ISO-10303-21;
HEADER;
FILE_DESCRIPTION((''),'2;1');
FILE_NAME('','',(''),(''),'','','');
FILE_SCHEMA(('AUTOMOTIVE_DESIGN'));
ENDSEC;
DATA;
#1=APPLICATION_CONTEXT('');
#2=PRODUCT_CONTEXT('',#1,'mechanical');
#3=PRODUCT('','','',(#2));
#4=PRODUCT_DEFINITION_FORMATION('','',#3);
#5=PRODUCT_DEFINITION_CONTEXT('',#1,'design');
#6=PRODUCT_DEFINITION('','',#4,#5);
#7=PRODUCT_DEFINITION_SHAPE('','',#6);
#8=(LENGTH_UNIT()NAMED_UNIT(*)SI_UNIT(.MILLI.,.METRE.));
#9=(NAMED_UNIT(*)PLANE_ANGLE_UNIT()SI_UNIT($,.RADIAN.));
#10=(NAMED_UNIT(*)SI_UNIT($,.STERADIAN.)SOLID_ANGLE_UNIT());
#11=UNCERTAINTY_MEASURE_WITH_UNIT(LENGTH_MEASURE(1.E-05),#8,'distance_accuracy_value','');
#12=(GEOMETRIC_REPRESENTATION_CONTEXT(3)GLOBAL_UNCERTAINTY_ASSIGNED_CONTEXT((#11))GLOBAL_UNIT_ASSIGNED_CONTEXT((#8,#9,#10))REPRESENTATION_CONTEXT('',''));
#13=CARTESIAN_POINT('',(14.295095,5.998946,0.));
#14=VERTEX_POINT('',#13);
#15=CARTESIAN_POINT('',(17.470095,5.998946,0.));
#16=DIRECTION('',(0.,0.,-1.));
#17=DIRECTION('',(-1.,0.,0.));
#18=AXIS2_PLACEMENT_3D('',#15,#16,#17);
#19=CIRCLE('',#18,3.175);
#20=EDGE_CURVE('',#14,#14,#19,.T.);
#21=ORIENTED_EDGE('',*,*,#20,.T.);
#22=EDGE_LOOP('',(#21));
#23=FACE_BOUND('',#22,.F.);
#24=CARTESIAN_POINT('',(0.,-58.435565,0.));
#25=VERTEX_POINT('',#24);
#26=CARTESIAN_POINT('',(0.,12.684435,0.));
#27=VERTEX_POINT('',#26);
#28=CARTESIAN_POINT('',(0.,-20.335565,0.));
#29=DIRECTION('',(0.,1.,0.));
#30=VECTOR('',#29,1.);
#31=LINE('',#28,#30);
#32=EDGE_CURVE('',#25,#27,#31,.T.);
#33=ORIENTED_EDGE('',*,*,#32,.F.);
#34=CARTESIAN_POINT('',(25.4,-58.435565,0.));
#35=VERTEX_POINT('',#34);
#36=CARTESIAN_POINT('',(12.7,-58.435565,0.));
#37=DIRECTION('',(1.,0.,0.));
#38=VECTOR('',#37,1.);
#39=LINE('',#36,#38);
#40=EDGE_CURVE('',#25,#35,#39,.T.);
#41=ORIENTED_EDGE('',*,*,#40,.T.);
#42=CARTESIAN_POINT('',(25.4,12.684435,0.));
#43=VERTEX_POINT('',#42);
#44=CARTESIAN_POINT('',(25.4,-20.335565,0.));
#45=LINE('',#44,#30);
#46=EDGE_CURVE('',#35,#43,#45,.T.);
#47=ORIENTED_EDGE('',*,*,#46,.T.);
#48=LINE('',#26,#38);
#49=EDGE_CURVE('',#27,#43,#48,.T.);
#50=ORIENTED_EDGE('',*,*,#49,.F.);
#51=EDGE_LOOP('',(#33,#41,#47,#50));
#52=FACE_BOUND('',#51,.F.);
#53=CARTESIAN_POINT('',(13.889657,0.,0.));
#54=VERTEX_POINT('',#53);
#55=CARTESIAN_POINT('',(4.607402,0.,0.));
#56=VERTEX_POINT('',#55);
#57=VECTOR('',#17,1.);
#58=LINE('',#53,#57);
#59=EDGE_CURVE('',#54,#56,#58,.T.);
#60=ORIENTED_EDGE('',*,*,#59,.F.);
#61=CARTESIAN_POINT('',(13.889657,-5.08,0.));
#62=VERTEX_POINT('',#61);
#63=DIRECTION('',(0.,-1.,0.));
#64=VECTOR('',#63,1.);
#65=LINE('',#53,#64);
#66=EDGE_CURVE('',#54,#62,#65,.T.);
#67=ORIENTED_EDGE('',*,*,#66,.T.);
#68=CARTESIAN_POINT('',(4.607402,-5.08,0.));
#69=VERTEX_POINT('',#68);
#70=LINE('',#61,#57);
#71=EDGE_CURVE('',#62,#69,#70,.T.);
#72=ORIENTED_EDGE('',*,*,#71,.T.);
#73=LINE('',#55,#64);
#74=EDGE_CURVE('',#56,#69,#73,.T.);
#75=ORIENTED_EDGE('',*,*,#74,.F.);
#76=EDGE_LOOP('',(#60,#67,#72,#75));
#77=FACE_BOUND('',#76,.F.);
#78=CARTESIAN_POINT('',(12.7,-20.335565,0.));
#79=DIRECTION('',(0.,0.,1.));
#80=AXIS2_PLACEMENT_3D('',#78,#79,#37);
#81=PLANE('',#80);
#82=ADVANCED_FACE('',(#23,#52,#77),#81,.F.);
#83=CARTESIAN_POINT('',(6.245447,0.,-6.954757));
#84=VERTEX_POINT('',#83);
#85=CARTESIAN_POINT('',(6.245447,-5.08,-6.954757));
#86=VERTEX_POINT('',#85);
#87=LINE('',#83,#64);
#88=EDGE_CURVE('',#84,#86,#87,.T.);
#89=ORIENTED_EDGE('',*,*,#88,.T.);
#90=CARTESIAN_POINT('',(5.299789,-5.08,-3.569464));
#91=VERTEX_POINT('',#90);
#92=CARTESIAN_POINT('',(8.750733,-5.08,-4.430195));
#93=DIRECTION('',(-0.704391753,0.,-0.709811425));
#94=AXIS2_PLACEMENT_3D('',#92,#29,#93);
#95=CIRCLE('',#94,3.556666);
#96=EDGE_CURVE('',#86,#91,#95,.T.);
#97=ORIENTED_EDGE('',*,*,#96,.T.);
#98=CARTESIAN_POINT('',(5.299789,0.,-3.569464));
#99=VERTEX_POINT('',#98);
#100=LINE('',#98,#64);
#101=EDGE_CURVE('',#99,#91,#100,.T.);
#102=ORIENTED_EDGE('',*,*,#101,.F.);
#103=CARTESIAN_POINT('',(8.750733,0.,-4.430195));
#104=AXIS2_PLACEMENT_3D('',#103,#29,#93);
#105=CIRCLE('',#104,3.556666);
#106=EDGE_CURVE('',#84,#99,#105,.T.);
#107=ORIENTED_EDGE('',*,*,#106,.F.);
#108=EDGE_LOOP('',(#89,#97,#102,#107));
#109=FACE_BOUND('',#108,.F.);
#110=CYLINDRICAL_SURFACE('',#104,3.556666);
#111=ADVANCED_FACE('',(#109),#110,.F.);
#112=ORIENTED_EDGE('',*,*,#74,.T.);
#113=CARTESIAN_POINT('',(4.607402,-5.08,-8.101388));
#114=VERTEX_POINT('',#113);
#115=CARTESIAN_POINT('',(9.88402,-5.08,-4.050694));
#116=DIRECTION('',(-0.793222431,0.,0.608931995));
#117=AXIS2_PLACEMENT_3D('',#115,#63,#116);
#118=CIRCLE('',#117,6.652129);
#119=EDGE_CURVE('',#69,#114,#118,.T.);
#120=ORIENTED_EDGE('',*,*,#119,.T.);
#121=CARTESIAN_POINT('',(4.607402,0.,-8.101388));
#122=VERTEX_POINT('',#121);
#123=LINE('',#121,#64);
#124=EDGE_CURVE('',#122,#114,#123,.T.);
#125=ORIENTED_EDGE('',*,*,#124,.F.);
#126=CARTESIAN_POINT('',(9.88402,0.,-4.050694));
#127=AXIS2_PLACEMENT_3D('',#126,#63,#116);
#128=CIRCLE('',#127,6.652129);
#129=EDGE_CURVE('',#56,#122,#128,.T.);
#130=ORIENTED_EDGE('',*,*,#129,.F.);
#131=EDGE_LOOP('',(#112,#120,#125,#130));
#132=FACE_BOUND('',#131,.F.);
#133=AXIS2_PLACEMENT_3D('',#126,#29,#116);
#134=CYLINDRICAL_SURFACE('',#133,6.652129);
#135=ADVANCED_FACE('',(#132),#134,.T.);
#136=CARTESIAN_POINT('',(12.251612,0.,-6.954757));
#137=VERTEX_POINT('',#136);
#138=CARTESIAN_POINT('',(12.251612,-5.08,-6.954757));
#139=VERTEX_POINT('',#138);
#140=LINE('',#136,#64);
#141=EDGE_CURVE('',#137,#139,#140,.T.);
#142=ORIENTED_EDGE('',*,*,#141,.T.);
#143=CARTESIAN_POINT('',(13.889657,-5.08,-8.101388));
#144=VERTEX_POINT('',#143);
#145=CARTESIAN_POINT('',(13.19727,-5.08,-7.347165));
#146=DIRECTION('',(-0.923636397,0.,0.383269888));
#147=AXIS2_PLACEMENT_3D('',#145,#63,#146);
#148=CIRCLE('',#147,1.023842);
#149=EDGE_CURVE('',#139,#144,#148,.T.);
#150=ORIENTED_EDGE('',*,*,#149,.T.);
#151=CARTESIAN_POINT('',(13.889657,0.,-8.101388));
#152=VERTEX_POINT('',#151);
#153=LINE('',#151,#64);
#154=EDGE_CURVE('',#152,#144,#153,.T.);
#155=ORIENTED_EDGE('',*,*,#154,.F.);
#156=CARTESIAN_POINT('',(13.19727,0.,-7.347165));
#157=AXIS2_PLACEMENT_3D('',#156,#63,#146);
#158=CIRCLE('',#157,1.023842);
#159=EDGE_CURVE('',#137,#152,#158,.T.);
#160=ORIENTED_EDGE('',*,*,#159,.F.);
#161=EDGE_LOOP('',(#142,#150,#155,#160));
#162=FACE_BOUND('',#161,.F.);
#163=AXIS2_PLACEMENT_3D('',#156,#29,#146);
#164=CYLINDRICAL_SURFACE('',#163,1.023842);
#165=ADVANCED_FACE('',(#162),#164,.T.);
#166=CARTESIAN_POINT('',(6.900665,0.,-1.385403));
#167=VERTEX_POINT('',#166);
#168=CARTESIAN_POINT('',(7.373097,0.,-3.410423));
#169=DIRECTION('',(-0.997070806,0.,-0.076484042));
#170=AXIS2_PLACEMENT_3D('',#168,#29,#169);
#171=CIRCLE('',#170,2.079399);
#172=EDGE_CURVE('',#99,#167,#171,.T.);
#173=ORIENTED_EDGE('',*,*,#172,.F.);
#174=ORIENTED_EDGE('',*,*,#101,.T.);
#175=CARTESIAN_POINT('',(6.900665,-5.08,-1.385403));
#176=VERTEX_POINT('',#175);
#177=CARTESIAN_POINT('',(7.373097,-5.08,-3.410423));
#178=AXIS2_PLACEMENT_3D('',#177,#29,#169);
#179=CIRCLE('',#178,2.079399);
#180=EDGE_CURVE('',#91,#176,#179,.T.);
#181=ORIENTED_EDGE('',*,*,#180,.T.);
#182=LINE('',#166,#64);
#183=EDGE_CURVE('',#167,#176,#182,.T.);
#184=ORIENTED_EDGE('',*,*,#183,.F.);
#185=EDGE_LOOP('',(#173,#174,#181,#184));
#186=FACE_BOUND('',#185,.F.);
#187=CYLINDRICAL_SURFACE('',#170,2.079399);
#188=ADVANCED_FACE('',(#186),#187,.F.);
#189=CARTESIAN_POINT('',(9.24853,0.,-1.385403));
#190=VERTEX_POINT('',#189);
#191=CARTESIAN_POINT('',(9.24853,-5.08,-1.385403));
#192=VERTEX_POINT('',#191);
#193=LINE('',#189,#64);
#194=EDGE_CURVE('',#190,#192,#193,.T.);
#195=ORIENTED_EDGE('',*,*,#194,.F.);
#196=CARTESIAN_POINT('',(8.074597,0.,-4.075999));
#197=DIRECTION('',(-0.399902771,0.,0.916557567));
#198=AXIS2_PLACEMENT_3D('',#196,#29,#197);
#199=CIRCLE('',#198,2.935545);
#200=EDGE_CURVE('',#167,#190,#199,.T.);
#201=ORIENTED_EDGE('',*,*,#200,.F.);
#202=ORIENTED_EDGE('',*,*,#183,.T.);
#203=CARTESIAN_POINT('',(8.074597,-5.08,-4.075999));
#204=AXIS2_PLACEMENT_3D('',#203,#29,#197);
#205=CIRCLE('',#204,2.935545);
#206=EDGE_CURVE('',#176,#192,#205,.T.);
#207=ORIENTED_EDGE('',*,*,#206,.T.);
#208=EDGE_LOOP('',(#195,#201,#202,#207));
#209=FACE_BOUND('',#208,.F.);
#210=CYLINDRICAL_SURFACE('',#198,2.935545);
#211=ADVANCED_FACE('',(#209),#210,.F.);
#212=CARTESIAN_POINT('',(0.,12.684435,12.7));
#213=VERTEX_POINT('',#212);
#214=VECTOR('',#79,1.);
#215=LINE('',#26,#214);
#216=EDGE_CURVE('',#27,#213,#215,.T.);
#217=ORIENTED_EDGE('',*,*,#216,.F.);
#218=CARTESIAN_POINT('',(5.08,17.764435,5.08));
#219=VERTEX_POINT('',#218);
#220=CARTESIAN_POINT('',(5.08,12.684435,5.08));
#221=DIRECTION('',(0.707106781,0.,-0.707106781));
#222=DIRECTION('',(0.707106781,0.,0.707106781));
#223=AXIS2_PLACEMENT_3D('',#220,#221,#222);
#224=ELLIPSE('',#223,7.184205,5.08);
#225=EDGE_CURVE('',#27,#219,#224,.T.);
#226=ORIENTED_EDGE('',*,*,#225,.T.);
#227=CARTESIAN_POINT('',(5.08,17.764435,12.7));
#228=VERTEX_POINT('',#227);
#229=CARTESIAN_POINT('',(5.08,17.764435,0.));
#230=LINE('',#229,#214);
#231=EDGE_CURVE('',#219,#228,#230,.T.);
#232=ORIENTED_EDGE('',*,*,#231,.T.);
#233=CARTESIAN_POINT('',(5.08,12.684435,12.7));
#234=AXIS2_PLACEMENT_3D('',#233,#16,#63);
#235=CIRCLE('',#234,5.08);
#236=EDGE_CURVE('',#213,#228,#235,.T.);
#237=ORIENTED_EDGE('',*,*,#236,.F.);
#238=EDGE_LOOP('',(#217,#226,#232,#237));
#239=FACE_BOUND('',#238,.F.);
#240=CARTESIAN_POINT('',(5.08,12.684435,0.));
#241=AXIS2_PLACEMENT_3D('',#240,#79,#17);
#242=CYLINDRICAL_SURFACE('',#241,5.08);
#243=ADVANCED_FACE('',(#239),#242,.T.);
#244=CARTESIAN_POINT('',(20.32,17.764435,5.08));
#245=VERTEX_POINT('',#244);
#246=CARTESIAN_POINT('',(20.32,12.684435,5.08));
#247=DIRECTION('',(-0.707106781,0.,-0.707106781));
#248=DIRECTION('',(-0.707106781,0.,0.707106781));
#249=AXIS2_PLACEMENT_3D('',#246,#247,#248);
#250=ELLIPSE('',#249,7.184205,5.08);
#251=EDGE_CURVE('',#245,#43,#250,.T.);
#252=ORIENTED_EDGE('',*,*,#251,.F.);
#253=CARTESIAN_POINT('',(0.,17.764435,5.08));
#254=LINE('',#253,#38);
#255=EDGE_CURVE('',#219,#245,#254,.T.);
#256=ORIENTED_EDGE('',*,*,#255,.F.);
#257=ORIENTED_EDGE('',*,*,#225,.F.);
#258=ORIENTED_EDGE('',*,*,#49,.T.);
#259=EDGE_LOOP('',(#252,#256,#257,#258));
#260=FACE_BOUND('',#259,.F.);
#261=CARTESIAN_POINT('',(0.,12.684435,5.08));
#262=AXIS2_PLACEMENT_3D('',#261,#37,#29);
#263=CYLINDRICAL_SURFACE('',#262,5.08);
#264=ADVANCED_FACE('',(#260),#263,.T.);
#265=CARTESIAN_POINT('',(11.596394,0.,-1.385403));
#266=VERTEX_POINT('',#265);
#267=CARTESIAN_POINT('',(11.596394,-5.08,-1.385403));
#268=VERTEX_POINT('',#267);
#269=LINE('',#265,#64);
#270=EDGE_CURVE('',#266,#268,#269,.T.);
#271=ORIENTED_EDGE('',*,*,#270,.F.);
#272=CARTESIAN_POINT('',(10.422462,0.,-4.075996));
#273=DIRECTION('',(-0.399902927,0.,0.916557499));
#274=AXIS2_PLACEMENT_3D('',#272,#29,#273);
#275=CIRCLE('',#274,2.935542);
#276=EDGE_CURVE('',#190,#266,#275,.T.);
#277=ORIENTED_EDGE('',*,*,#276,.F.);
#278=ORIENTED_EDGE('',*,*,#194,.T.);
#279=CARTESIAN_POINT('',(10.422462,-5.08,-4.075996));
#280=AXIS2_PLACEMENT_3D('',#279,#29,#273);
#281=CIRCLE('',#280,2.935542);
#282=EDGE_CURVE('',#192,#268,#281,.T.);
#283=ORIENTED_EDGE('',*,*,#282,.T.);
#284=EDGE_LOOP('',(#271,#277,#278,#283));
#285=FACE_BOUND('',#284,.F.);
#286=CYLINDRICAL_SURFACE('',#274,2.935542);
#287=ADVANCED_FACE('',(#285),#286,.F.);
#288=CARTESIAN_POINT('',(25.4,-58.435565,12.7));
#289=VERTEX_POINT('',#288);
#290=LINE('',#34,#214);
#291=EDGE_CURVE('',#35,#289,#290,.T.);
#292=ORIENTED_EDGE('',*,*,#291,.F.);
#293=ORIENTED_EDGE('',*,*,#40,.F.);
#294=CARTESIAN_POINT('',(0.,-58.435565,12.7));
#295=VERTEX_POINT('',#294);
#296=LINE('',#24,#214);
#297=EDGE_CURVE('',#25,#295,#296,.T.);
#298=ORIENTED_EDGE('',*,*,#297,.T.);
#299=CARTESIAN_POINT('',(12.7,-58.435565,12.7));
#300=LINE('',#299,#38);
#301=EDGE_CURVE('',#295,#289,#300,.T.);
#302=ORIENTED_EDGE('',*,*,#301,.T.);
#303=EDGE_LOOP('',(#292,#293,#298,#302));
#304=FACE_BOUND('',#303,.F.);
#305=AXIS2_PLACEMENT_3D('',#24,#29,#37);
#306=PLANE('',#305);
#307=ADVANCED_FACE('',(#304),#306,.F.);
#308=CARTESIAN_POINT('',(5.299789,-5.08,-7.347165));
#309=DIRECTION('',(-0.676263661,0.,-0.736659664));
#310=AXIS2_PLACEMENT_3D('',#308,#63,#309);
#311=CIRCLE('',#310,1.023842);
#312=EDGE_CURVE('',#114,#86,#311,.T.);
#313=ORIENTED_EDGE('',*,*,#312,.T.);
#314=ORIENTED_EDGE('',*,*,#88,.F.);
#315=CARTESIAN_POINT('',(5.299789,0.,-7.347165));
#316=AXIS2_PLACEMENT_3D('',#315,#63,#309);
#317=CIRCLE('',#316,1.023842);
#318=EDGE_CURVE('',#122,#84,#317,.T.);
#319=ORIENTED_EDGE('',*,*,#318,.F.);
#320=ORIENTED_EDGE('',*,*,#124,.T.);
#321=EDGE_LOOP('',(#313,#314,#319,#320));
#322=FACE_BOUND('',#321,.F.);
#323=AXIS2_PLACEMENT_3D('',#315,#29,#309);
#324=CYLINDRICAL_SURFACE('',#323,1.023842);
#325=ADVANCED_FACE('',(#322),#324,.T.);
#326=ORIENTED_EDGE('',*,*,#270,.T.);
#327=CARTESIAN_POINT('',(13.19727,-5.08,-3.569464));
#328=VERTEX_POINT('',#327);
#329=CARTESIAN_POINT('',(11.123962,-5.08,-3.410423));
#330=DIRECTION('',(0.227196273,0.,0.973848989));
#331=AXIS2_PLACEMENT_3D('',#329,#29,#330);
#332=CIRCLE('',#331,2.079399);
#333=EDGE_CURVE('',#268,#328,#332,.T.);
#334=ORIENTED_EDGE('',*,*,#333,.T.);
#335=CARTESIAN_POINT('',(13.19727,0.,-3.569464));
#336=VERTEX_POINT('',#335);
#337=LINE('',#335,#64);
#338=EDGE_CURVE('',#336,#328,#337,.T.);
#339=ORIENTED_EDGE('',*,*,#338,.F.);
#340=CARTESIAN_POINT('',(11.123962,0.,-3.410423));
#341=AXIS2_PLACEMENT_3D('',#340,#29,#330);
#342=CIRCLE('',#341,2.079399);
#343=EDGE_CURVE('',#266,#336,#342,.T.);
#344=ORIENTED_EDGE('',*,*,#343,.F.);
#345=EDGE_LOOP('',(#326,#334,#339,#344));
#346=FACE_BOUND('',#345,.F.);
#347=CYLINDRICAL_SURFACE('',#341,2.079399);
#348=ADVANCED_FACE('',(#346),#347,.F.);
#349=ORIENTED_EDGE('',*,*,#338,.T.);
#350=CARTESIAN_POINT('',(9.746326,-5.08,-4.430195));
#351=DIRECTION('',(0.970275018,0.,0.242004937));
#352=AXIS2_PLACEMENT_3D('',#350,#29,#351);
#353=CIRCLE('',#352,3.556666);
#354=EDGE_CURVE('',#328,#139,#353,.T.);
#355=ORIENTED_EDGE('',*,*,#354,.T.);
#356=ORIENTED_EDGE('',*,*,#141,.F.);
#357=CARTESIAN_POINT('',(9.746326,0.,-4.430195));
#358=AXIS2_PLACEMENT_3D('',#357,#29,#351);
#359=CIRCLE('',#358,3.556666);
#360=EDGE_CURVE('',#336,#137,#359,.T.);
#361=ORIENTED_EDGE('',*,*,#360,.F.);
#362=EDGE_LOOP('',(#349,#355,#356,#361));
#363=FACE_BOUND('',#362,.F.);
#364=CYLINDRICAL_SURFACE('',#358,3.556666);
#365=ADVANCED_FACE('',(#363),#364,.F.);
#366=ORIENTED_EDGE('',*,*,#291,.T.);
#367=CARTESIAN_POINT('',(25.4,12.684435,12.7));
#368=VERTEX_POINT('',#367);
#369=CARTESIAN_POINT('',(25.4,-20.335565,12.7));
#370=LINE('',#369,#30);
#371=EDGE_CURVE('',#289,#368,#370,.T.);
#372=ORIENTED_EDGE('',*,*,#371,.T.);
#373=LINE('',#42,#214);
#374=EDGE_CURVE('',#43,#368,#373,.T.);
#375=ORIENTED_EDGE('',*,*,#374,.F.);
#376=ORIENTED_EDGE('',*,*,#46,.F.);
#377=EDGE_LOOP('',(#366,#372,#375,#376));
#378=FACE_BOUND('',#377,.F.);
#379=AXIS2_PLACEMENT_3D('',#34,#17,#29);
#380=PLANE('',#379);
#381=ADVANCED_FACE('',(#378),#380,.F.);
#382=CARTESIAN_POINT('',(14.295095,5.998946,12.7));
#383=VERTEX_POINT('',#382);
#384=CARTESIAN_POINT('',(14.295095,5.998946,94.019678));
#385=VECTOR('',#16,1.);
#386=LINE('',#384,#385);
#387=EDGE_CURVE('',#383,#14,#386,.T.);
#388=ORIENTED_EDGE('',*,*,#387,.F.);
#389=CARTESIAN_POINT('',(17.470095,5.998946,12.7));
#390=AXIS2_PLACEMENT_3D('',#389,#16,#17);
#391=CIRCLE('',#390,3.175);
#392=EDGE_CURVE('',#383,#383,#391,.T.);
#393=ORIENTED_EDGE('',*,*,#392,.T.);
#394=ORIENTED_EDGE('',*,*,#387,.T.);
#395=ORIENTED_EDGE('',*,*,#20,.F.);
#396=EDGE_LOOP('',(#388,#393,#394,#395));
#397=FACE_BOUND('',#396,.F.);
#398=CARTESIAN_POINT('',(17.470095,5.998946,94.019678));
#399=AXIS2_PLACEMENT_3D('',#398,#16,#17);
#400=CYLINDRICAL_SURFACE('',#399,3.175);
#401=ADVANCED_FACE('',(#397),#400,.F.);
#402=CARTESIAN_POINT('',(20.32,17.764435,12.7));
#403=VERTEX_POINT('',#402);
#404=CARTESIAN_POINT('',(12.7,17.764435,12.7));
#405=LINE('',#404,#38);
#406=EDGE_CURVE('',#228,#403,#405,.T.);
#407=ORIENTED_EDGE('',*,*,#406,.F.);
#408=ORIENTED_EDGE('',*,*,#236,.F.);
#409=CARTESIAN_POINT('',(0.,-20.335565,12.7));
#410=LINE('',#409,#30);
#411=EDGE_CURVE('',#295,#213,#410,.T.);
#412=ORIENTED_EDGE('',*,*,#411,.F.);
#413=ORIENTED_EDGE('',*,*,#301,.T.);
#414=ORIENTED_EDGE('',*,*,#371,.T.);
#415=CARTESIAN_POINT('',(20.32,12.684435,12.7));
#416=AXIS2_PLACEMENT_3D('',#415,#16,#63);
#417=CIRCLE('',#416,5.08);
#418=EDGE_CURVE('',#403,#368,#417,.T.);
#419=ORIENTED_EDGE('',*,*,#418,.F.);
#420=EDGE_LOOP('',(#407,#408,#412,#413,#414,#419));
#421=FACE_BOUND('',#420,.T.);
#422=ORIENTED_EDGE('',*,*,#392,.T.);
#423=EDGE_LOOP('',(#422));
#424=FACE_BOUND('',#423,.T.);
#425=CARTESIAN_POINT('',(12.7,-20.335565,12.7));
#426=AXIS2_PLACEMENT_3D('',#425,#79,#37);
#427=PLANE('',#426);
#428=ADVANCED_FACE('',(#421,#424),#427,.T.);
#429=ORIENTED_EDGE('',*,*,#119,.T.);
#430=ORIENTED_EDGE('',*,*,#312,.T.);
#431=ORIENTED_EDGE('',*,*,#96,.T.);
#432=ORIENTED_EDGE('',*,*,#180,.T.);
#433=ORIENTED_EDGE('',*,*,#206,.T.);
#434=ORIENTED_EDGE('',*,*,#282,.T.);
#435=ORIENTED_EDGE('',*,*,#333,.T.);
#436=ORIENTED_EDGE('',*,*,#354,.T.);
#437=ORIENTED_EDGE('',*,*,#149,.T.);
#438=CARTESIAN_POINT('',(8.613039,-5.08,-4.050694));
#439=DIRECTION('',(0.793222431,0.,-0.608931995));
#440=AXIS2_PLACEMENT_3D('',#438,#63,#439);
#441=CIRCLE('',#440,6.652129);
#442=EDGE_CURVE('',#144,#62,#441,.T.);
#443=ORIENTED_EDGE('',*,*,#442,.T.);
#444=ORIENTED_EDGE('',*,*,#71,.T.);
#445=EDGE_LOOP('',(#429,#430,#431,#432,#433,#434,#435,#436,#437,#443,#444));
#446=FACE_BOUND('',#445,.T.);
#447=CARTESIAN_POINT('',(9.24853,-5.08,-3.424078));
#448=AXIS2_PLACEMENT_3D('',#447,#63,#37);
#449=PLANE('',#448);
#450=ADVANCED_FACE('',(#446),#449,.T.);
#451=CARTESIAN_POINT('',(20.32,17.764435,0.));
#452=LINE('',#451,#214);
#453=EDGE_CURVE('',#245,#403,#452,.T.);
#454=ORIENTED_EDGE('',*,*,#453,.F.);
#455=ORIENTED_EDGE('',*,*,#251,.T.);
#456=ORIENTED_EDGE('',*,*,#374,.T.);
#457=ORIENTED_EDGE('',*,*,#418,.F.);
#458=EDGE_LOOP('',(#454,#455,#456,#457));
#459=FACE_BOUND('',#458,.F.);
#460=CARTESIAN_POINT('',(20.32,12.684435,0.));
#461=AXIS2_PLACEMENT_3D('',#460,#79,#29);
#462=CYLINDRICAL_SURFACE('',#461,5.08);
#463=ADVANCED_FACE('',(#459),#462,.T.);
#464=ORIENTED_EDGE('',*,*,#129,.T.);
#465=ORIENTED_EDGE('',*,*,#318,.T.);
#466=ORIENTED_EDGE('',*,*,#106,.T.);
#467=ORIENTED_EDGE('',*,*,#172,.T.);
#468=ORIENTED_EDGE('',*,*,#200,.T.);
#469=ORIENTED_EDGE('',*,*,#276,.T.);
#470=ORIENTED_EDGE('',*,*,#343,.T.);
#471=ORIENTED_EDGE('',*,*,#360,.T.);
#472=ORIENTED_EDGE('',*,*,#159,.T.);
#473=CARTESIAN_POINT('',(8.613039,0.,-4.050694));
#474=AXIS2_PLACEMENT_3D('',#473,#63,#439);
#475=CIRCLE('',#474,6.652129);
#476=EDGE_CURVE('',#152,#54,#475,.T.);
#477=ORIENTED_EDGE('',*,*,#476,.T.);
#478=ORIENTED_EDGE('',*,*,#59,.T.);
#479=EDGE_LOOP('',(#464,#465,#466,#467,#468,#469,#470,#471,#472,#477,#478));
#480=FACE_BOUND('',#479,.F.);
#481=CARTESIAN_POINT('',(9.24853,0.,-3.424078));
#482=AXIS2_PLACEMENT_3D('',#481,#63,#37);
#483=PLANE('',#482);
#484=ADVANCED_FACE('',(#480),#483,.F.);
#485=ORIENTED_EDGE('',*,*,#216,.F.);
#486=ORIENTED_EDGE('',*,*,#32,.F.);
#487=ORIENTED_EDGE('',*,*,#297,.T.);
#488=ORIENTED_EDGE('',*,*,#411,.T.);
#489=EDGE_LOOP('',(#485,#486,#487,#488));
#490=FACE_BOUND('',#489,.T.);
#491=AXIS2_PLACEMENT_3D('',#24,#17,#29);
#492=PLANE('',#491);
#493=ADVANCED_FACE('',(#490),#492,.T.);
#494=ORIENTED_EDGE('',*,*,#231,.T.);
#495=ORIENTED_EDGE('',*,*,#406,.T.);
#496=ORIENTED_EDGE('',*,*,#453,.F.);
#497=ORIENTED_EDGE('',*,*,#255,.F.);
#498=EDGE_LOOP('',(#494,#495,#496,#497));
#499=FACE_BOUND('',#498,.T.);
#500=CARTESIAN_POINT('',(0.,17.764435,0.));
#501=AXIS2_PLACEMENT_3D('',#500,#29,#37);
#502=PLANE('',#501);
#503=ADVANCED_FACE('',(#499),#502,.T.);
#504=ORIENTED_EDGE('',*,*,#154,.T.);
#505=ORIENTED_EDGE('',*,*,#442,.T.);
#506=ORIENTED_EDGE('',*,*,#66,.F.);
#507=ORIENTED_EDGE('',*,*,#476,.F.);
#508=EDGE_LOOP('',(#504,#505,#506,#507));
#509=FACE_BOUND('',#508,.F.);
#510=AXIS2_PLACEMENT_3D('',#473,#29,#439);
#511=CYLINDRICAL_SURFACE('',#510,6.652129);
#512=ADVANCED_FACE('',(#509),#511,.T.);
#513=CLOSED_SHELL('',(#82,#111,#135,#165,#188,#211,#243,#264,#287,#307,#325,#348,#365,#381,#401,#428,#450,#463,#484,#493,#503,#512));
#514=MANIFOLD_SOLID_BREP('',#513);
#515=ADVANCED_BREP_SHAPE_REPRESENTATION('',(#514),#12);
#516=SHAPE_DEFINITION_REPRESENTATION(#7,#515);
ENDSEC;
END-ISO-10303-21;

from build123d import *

# Parameters (mm, degrees)
F0_W     = 25.4
F0_H     = 76.2
F1_DEPTH = 12.7
F3_D     = 6.35
F5_DEPTH = 5.08
F6_R     = 5.08


with BuildPart() as f1:
    # F0 (on Top) → F1 (new body)
    with BuildSketch(Plane.XY):
        with Locations((12.7, -20.335565)):
            Rectangle(F0_W, F0_H)
    extrude(amount=F1_DEPTH)

    # F3 (through all)
    with Locations(Plane.XY.offset(12.7)):
        with Locations((17.470095, 5.998946)):
            Hole(F3_D / 2)

    # F4 (on Front) → F5 (join)
    with BuildSketch(Plane.XZ):
        with BuildLine():
            Line((13.889657, 0), (9.24853, 0))
            Line((9.24853, 0), (4.607402, 0))
            ThreePointArc((4.607402, 0), (3.231891, -4.050694), (4.607402, -8.101388))
            ThreePointArc((4.607402, -8.101388), (5.886924, -8.185929), (6.245447, -6.954757))
            ThreePointArc((6.245447, -6.954757), (5.325208, -5.387091), (5.299789, -3.569464))
            ThreePointArc((5.299789, -3.569464), (5.695978, -2.181126), (6.900665, -1.385403))
            ThreePointArc((6.900665, -1.385403), (8.074597, -1.140454), (9.24853, -1.385403))
            ThreePointArc((9.24853, -1.385403), (10.422462, -1.140454), (11.596394, -1.385403))
            ThreePointArc((11.596394, -1.385403), (12.801081, -2.181126), (13.19727, -3.569464))
            ThreePointArc((13.19727, -3.569464), (13.171851, -5.387091), (12.251612, -6.954757))
            ThreePointArc((12.251612, -6.954757), (12.610135, -8.185929), (13.889657, -8.101388))
            ThreePointArc((13.889657, -8.101388), (15.265168, -4.050694), (13.889657, 0))
        make_face()
    extrude(amount=F5_DEPTH)

    # F6
    f6_edges = [f1.edges().sort_by_distance(p)[0] for p in [
        (0, 17.764435, 6.35),
        (25.4, 17.764435, 6.35),
        (12.7, 17.764435, 0),
    ]]
    fillet(f6_edges, radius=F6_R)


solid = f1.part
